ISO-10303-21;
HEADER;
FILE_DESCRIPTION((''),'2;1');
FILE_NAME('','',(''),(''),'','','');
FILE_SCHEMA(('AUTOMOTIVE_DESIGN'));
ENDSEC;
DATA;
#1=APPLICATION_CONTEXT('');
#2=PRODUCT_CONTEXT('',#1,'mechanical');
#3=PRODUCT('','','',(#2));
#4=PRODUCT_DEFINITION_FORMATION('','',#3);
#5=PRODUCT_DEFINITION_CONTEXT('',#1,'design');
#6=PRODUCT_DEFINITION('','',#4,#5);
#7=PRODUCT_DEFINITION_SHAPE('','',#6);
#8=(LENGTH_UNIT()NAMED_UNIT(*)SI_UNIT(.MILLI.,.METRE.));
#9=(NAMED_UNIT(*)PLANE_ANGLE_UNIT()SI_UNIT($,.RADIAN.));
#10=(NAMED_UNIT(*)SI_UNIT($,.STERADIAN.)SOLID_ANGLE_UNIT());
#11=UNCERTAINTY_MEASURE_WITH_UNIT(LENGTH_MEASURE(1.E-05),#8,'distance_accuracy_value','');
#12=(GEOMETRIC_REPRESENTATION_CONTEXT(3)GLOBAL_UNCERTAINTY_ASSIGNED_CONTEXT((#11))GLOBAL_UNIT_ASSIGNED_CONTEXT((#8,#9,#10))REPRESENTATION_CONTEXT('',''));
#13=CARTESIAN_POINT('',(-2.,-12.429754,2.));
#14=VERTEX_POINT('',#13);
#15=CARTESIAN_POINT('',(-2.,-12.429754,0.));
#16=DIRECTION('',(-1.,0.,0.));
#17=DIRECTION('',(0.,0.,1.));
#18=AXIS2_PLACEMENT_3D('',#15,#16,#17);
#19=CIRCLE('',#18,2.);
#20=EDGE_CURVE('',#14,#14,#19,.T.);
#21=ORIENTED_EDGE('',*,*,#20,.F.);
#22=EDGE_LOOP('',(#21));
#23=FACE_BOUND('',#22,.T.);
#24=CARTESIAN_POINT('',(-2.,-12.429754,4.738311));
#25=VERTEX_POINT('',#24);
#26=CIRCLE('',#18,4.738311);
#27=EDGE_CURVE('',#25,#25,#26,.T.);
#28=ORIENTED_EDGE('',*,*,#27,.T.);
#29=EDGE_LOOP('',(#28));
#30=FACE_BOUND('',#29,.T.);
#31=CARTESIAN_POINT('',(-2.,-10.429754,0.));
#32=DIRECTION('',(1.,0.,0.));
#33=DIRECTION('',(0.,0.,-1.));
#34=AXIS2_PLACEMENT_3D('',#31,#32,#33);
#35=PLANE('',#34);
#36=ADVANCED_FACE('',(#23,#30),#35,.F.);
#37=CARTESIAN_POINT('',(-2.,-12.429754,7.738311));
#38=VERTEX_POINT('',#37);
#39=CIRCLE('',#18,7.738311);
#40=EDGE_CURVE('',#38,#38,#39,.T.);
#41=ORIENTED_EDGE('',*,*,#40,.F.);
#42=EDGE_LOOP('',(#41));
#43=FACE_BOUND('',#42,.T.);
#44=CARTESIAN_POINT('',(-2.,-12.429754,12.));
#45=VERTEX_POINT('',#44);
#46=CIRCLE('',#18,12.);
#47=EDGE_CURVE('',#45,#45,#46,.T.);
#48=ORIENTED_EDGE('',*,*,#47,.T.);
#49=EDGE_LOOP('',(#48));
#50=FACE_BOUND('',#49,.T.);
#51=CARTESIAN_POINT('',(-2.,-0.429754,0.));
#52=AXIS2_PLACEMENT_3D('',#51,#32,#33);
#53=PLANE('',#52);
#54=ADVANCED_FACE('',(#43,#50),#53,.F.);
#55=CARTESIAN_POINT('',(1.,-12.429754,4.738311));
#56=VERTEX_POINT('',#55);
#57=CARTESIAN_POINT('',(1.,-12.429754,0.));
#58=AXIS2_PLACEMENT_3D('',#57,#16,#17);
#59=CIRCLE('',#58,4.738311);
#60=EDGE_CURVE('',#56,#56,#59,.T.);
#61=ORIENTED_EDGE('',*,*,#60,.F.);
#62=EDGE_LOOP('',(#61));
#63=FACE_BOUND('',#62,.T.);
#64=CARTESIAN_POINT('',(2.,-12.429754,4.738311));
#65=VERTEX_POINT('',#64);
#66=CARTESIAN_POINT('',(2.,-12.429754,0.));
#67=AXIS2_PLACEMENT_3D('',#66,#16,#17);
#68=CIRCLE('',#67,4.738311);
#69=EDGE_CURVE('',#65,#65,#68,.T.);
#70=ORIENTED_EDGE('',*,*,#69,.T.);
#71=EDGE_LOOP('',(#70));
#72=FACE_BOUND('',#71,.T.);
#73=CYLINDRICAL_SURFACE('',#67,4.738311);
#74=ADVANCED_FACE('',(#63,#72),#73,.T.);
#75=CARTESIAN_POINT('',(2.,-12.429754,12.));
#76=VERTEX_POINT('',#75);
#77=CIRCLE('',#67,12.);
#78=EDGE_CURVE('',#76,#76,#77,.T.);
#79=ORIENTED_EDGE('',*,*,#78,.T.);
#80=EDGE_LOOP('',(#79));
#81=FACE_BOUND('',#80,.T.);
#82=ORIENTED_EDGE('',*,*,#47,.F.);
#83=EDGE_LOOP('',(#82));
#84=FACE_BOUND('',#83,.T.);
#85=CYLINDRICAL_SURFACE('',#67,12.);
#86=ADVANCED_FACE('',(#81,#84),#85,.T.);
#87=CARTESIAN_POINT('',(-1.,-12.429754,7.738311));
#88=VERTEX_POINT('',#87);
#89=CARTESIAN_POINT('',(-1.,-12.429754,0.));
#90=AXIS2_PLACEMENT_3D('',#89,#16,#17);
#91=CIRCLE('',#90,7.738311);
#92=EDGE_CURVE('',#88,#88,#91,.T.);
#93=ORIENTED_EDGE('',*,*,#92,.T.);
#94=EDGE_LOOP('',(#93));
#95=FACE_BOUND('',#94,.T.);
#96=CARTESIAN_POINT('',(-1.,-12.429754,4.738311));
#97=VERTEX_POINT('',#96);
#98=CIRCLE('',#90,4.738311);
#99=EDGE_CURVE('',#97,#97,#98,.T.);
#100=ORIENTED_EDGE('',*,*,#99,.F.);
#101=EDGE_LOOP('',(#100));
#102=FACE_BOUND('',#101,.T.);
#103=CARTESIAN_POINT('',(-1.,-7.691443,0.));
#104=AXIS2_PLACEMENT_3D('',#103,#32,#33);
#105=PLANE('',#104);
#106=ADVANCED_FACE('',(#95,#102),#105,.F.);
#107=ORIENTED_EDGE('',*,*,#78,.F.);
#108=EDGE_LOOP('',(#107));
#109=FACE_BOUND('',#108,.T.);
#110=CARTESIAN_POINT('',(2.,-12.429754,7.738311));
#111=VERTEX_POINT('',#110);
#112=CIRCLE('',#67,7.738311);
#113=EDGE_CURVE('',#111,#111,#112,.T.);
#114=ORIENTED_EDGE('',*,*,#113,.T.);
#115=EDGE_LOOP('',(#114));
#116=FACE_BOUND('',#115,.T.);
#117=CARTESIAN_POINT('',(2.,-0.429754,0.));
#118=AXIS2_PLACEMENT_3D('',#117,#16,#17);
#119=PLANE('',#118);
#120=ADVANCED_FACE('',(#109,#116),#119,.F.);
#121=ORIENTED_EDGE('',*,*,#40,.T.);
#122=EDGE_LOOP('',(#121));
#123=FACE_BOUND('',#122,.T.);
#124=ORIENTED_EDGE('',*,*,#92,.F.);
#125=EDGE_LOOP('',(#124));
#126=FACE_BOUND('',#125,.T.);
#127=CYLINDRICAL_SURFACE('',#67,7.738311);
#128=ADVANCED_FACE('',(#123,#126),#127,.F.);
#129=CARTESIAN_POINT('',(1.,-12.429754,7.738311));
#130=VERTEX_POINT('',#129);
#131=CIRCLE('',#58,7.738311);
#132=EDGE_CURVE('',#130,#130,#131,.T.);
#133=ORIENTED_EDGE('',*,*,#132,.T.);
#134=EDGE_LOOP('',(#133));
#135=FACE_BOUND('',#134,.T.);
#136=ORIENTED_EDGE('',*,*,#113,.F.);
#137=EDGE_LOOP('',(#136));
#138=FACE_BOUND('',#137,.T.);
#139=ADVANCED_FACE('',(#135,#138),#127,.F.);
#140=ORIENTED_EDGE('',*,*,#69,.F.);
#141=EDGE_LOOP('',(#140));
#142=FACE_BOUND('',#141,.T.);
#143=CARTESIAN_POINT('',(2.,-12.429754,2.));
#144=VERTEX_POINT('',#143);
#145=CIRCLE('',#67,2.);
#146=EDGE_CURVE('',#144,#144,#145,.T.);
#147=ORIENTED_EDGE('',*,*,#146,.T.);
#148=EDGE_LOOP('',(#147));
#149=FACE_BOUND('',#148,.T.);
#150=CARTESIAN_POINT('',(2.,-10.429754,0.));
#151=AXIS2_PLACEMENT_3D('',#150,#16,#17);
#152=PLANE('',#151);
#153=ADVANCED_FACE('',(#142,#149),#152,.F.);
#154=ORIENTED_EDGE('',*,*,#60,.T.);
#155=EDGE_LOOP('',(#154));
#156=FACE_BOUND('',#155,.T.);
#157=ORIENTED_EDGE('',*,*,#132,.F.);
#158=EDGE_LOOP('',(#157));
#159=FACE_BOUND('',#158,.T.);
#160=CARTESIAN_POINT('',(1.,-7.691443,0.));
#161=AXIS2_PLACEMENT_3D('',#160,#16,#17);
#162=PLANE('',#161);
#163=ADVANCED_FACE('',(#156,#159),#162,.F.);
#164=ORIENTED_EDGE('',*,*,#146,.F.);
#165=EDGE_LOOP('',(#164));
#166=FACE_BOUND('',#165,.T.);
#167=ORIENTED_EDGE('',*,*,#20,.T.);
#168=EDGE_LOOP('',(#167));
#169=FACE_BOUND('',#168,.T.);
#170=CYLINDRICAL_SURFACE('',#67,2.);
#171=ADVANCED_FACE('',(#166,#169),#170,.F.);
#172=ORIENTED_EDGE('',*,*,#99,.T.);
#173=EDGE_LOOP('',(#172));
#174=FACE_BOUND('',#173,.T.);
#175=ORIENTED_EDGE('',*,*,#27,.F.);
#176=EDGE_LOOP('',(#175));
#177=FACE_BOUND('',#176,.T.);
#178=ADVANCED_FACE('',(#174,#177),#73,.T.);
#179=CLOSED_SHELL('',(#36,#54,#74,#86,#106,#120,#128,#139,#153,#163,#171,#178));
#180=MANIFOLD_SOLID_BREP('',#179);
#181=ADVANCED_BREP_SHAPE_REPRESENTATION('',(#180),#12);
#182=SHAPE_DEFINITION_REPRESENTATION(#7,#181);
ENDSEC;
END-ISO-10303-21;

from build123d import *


with BuildPart() as part:
    # Esquisse1 → Revolve1 (revolve)
    with BuildSketch(Plane.XY, mode=Mode.PRIVATE) as revolve1_sk:
        Polygon((-2, -10.429754226), (2, -10.429754226), (2, -7.691443281), (1, -7.691443281), (1, -4.691443281), (2, -4.691443281), (2, -0.429754226), (-2, -0.429754226), (-2, -4.691443281), (-1, -4.691443281), (-1, -7.691443281), (-2, -7.691443281), align=None)
    revolve(revolve1_sk.sketch.rotate(Axis((2, -12.429754226, 0), (1, 0, 0)), 90), axis=Axis((2, -12.429754226, 0), (1, 0, 0)))


solid = part.part
